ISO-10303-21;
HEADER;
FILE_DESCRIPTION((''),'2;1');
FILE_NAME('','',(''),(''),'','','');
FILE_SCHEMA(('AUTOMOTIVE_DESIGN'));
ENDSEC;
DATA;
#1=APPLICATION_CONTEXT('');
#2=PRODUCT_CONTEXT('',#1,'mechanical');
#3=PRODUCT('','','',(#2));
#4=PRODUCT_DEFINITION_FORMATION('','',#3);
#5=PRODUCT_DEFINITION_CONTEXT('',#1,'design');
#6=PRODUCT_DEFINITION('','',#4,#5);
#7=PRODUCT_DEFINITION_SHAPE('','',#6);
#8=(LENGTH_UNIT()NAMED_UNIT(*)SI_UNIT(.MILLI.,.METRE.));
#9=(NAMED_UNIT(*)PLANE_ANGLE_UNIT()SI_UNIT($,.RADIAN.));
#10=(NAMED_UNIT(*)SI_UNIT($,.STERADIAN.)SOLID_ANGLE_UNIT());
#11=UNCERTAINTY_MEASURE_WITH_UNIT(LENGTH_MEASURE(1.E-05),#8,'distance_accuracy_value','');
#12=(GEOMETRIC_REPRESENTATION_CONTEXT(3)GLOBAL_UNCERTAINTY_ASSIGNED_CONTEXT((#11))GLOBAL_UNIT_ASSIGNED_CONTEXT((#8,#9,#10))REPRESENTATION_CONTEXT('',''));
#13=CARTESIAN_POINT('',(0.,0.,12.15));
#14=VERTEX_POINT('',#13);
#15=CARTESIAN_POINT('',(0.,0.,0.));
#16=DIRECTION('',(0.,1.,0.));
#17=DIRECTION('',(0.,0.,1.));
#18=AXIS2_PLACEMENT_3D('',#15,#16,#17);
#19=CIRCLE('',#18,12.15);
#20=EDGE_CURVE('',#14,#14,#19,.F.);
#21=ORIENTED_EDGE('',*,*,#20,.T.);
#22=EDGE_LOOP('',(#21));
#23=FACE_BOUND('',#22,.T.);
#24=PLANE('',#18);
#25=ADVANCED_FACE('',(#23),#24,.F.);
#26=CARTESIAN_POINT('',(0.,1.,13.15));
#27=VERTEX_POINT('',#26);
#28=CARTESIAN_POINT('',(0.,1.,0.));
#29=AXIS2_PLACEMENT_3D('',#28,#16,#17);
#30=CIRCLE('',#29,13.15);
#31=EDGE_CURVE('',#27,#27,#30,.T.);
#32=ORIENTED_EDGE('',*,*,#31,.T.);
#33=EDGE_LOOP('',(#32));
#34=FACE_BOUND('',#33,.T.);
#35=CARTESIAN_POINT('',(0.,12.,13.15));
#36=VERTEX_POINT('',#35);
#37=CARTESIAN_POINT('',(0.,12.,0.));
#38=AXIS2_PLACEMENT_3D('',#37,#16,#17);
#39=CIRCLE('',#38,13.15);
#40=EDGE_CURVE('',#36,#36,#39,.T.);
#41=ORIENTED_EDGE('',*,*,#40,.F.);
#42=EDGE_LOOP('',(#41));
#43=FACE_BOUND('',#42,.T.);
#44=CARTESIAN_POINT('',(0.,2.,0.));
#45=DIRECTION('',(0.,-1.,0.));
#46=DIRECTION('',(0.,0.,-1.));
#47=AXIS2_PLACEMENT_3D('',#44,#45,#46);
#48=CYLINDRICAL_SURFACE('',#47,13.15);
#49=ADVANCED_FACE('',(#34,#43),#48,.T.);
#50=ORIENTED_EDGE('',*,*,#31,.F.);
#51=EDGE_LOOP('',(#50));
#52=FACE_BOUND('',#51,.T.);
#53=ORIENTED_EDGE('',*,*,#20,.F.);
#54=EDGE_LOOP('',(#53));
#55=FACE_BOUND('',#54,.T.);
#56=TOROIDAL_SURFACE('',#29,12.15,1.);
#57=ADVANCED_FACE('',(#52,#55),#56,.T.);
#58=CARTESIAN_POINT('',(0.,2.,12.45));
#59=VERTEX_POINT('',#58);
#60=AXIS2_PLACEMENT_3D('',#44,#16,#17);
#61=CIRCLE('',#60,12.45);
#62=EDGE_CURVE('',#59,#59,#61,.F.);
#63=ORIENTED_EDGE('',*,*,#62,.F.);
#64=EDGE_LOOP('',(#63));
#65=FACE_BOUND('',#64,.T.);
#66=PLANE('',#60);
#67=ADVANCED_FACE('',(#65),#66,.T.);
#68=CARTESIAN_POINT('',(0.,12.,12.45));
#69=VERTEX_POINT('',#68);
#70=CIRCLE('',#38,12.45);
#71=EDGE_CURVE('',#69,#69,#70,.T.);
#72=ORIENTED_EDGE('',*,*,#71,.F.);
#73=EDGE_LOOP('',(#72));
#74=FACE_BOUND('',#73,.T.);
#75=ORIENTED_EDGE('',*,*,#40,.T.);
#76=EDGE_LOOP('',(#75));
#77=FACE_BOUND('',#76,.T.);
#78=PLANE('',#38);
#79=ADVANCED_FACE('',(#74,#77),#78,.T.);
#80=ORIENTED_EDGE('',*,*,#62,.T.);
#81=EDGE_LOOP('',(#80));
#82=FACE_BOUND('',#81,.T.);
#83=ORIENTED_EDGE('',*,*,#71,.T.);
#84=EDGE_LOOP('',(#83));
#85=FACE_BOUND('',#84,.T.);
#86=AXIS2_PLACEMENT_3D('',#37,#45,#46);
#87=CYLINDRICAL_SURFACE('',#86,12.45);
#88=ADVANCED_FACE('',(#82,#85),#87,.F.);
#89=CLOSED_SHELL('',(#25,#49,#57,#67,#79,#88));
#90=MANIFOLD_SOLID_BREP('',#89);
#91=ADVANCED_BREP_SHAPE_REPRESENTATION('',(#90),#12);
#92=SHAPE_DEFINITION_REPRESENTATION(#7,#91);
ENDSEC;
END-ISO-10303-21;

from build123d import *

# Parameters (mm, degrees)
SKETCH1_R           = 13.15
BOSS_EXTRUDE1_DEPTH = 2
SKETCH2_R           = 13.15
SKETCH2_R_2         = 12.45
BOSS_EXTRUDE2_DEPTH = 10
FILLET1_R           = 1


with BuildPart() as part:
    # Sketch1 → Boss-Extrude1 (new body)
    with BuildSketch(Plane(origin=(0, 0, 0), x_dir=(1, 0, 0), z_dir=(0, 1, 0))):
        with Locations(Location((0, 0, 0), (0, 0, 270))):
            Circle(SKETCH1_R)
    extrude(amount=BOSS_EXTRUDE1_DEPTH)

    # Sketch2 → Boss-Extrude2 (add)
    with BuildSketch(Plane(origin=(0, 2, 0), x_dir=(1, 0, 0), z_dir=(0, 1, 0))):
        with Locations(Location((0, 0, 0), (0, 0, 270))):
            Circle(SKETCH2_R)
        with Locations(Location((0, 0, 0), (0, 0, 270))):
            Circle(SKETCH2_R_2, mode=Mode.SUBTRACT)
    extrude(amount=BOSS_EXTRUDE2_DEPTH)

    # Fillet1
    fillet1_edges = [part.edges().sort_by_distance(p)[0] for p in [
        (0, 0, -13.15),
    ]]
    fillet(fillet1_edges, radius=FILLET1_R)


solid = part.part
